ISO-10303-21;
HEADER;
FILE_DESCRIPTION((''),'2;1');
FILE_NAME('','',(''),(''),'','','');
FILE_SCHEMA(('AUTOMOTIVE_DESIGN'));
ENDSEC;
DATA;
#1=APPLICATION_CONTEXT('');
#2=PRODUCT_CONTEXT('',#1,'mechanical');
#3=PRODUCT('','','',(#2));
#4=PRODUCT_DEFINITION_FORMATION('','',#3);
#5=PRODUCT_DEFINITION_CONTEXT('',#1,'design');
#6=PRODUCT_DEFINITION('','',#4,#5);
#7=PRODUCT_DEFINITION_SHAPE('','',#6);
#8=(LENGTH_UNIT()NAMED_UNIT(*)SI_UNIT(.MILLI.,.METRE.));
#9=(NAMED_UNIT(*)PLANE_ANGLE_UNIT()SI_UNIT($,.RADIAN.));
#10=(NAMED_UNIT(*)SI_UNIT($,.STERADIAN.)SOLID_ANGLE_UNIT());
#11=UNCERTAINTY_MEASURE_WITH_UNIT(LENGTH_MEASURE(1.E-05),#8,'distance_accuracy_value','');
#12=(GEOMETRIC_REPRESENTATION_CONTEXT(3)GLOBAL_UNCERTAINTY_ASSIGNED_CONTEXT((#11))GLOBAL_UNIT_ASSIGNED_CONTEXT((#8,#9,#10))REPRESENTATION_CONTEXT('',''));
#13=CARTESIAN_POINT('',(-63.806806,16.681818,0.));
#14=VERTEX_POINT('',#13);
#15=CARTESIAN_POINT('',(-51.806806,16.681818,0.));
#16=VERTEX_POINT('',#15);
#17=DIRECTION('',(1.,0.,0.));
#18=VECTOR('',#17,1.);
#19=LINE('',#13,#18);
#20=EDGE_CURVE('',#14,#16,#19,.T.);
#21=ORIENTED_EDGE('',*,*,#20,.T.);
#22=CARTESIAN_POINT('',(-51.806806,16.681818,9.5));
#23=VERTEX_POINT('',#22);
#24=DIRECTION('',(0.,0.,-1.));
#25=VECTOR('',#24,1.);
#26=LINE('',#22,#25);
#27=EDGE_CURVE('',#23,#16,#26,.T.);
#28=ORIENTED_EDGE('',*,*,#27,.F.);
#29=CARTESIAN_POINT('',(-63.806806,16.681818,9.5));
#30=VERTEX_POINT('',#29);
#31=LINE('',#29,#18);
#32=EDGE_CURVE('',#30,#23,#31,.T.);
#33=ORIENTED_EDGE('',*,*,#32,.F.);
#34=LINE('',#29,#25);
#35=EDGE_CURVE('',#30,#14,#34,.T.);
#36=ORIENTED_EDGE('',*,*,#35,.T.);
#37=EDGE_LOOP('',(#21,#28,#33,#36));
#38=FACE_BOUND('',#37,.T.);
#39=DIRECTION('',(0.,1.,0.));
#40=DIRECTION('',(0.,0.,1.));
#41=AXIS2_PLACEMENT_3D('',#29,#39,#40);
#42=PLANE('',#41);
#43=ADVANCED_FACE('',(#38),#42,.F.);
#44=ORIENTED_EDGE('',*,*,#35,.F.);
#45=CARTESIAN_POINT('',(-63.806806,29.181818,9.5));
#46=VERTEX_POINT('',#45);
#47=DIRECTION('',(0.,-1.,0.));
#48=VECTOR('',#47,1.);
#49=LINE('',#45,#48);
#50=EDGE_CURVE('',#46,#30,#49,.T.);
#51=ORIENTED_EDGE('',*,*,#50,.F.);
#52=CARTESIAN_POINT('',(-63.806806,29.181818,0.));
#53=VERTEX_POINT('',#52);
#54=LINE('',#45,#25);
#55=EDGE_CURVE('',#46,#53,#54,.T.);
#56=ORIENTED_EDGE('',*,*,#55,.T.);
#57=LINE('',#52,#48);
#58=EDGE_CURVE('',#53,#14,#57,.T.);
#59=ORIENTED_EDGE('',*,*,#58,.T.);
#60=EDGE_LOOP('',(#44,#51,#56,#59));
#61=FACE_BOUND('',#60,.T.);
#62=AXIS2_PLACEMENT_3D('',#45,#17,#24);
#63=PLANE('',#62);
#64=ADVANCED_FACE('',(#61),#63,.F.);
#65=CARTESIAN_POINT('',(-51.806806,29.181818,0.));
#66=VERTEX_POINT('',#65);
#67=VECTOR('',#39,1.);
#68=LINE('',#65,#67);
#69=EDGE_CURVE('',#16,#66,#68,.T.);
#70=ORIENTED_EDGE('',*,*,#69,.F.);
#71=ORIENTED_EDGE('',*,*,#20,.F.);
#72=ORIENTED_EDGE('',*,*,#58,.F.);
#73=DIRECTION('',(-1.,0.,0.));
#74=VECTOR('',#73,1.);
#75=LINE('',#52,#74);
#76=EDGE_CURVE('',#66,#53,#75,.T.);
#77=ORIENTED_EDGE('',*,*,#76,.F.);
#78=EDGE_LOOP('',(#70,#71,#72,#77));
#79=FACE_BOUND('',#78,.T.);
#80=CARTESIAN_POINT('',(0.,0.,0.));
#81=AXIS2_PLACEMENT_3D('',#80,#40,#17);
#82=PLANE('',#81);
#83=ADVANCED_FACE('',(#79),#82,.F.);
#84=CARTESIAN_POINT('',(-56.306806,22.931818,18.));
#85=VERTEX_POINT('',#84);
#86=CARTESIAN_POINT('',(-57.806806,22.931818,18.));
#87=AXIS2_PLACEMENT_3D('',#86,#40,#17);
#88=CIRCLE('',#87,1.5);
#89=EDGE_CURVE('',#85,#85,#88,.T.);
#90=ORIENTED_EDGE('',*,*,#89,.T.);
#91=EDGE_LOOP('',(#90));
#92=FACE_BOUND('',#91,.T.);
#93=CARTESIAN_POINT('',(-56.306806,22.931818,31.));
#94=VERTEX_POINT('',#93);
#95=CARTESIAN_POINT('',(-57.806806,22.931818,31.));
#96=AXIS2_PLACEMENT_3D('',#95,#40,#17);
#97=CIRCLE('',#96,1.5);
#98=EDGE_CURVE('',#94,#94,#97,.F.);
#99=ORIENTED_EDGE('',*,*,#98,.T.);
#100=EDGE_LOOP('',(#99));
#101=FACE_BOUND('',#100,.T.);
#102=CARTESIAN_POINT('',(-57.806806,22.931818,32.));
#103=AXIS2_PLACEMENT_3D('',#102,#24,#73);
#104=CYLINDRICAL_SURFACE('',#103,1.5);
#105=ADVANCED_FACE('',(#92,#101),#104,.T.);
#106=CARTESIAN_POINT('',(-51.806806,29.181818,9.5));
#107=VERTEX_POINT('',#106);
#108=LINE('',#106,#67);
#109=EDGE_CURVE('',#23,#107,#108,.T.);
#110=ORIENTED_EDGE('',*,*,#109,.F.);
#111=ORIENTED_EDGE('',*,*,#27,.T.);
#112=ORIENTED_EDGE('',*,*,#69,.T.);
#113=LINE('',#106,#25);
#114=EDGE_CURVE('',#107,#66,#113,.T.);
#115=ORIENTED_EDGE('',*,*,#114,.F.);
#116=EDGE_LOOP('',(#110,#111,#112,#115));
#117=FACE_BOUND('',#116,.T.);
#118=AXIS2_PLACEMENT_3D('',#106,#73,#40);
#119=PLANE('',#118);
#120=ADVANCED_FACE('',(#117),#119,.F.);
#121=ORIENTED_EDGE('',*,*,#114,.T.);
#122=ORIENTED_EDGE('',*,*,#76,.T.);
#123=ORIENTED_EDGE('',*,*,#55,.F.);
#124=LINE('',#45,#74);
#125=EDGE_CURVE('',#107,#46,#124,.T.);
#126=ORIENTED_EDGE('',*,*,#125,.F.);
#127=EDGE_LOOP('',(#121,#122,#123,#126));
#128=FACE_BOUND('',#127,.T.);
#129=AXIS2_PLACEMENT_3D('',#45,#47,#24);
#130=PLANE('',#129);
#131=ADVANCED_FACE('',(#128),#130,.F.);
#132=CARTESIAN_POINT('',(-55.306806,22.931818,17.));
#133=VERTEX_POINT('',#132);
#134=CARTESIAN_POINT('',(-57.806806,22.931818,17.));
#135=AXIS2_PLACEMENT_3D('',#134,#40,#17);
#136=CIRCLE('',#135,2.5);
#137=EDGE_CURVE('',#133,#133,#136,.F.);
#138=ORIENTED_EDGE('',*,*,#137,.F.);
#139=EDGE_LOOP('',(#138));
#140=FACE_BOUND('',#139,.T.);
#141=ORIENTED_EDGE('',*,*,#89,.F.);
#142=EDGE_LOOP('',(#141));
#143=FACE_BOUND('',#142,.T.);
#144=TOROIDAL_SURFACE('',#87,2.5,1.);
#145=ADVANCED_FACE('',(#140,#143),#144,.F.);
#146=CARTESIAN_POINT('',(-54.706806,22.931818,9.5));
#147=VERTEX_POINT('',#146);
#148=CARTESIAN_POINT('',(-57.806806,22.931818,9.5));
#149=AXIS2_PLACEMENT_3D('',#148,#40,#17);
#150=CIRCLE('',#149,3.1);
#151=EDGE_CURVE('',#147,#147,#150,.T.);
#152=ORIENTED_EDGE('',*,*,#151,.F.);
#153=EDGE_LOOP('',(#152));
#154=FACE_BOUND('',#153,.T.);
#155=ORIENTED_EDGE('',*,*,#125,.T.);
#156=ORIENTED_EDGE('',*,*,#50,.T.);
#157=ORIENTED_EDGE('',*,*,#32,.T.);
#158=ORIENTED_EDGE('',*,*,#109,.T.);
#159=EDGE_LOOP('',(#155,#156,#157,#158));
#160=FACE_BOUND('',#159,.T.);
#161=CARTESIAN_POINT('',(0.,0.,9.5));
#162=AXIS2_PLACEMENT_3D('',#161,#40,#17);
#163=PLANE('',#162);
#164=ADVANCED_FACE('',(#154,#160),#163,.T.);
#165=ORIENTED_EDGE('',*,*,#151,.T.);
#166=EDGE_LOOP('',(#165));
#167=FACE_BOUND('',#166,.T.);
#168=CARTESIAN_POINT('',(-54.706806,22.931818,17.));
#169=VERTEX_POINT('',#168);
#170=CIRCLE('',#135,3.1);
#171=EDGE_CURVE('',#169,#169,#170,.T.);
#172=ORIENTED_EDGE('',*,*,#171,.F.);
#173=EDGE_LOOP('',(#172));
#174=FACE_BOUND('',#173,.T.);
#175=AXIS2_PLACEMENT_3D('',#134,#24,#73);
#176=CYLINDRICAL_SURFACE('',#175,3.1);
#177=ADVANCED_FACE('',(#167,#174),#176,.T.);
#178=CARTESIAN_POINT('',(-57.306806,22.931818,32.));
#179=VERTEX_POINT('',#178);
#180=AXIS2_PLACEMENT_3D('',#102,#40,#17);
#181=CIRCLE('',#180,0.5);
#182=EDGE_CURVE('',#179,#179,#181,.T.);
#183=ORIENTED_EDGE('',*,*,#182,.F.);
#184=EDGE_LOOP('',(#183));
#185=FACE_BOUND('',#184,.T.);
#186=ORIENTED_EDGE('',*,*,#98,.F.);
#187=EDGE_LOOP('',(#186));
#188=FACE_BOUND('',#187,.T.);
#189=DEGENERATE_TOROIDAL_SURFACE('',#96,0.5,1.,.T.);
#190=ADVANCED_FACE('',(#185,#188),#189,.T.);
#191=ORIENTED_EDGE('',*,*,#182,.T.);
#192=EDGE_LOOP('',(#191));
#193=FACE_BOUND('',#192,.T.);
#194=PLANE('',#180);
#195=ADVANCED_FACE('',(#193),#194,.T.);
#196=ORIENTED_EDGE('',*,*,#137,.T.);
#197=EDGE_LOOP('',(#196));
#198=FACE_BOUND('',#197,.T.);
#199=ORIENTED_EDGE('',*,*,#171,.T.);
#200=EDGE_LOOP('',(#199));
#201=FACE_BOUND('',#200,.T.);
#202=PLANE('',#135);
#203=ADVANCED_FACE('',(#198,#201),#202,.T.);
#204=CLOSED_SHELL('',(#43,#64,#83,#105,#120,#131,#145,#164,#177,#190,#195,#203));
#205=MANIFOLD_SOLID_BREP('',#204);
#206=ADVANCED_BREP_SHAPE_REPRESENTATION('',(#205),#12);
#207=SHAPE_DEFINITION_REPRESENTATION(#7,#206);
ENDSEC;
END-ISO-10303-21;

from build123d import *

# Parameters (mm, degrees)
ESQUISSE1_W        = 12
ESQUISSE1_H        = 12.5
BOSS_EXTRU_1_DEPTH = 9.5
ESQUISSE3_R        = 3.1
BOSS_EXTRU_2_DEPTH = 7.5
ESQUISSE4_R        = 1.5
BOSS_EXTRU_3_DEPTH = 15
CONG_3_R           = 1


with BuildPart() as part:
    # Esquisse1 → Boss.-Extru.1 (new body)
    with BuildSketch(Plane.XY):
        with Locations((-57.806805708, 22.931818182)):
            Rectangle(ESQUISSE1_W, ESQUISSE1_H)
    extrude(amount=BOSS_EXTRU_1_DEPTH)

    # Esquisse3 → Boss.-Extru.2 (add)
    with BuildSketch(Plane.XY.offset(9.5)):
        with Locations((-57.806805708, 22.931818182)):
            Circle(ESQUISSE3_R)
    extrude(amount=BOSS_EXTRU_2_DEPTH)

    # Esquisse4 → Boss.-Extru.3 (add)
    with BuildSketch(Plane.XY.offset(17)):
        with Locations((-57.806805708, 22.931818182)):
            Circle(ESQUISSE4_R)
    extrude(amount=BOSS_EXTRU_3_DEPTH)

    # Congé3
    cong_3_edges = [part.edges().sort_by_distance(p)[0] for p in [
        (-59.306805708, 22.931818182, 17),
        (-59.306805708, 22.931818182, 32),
    ]]
    fillet(cong_3_edges, radius=CONG_3_R)


solid = part.part
